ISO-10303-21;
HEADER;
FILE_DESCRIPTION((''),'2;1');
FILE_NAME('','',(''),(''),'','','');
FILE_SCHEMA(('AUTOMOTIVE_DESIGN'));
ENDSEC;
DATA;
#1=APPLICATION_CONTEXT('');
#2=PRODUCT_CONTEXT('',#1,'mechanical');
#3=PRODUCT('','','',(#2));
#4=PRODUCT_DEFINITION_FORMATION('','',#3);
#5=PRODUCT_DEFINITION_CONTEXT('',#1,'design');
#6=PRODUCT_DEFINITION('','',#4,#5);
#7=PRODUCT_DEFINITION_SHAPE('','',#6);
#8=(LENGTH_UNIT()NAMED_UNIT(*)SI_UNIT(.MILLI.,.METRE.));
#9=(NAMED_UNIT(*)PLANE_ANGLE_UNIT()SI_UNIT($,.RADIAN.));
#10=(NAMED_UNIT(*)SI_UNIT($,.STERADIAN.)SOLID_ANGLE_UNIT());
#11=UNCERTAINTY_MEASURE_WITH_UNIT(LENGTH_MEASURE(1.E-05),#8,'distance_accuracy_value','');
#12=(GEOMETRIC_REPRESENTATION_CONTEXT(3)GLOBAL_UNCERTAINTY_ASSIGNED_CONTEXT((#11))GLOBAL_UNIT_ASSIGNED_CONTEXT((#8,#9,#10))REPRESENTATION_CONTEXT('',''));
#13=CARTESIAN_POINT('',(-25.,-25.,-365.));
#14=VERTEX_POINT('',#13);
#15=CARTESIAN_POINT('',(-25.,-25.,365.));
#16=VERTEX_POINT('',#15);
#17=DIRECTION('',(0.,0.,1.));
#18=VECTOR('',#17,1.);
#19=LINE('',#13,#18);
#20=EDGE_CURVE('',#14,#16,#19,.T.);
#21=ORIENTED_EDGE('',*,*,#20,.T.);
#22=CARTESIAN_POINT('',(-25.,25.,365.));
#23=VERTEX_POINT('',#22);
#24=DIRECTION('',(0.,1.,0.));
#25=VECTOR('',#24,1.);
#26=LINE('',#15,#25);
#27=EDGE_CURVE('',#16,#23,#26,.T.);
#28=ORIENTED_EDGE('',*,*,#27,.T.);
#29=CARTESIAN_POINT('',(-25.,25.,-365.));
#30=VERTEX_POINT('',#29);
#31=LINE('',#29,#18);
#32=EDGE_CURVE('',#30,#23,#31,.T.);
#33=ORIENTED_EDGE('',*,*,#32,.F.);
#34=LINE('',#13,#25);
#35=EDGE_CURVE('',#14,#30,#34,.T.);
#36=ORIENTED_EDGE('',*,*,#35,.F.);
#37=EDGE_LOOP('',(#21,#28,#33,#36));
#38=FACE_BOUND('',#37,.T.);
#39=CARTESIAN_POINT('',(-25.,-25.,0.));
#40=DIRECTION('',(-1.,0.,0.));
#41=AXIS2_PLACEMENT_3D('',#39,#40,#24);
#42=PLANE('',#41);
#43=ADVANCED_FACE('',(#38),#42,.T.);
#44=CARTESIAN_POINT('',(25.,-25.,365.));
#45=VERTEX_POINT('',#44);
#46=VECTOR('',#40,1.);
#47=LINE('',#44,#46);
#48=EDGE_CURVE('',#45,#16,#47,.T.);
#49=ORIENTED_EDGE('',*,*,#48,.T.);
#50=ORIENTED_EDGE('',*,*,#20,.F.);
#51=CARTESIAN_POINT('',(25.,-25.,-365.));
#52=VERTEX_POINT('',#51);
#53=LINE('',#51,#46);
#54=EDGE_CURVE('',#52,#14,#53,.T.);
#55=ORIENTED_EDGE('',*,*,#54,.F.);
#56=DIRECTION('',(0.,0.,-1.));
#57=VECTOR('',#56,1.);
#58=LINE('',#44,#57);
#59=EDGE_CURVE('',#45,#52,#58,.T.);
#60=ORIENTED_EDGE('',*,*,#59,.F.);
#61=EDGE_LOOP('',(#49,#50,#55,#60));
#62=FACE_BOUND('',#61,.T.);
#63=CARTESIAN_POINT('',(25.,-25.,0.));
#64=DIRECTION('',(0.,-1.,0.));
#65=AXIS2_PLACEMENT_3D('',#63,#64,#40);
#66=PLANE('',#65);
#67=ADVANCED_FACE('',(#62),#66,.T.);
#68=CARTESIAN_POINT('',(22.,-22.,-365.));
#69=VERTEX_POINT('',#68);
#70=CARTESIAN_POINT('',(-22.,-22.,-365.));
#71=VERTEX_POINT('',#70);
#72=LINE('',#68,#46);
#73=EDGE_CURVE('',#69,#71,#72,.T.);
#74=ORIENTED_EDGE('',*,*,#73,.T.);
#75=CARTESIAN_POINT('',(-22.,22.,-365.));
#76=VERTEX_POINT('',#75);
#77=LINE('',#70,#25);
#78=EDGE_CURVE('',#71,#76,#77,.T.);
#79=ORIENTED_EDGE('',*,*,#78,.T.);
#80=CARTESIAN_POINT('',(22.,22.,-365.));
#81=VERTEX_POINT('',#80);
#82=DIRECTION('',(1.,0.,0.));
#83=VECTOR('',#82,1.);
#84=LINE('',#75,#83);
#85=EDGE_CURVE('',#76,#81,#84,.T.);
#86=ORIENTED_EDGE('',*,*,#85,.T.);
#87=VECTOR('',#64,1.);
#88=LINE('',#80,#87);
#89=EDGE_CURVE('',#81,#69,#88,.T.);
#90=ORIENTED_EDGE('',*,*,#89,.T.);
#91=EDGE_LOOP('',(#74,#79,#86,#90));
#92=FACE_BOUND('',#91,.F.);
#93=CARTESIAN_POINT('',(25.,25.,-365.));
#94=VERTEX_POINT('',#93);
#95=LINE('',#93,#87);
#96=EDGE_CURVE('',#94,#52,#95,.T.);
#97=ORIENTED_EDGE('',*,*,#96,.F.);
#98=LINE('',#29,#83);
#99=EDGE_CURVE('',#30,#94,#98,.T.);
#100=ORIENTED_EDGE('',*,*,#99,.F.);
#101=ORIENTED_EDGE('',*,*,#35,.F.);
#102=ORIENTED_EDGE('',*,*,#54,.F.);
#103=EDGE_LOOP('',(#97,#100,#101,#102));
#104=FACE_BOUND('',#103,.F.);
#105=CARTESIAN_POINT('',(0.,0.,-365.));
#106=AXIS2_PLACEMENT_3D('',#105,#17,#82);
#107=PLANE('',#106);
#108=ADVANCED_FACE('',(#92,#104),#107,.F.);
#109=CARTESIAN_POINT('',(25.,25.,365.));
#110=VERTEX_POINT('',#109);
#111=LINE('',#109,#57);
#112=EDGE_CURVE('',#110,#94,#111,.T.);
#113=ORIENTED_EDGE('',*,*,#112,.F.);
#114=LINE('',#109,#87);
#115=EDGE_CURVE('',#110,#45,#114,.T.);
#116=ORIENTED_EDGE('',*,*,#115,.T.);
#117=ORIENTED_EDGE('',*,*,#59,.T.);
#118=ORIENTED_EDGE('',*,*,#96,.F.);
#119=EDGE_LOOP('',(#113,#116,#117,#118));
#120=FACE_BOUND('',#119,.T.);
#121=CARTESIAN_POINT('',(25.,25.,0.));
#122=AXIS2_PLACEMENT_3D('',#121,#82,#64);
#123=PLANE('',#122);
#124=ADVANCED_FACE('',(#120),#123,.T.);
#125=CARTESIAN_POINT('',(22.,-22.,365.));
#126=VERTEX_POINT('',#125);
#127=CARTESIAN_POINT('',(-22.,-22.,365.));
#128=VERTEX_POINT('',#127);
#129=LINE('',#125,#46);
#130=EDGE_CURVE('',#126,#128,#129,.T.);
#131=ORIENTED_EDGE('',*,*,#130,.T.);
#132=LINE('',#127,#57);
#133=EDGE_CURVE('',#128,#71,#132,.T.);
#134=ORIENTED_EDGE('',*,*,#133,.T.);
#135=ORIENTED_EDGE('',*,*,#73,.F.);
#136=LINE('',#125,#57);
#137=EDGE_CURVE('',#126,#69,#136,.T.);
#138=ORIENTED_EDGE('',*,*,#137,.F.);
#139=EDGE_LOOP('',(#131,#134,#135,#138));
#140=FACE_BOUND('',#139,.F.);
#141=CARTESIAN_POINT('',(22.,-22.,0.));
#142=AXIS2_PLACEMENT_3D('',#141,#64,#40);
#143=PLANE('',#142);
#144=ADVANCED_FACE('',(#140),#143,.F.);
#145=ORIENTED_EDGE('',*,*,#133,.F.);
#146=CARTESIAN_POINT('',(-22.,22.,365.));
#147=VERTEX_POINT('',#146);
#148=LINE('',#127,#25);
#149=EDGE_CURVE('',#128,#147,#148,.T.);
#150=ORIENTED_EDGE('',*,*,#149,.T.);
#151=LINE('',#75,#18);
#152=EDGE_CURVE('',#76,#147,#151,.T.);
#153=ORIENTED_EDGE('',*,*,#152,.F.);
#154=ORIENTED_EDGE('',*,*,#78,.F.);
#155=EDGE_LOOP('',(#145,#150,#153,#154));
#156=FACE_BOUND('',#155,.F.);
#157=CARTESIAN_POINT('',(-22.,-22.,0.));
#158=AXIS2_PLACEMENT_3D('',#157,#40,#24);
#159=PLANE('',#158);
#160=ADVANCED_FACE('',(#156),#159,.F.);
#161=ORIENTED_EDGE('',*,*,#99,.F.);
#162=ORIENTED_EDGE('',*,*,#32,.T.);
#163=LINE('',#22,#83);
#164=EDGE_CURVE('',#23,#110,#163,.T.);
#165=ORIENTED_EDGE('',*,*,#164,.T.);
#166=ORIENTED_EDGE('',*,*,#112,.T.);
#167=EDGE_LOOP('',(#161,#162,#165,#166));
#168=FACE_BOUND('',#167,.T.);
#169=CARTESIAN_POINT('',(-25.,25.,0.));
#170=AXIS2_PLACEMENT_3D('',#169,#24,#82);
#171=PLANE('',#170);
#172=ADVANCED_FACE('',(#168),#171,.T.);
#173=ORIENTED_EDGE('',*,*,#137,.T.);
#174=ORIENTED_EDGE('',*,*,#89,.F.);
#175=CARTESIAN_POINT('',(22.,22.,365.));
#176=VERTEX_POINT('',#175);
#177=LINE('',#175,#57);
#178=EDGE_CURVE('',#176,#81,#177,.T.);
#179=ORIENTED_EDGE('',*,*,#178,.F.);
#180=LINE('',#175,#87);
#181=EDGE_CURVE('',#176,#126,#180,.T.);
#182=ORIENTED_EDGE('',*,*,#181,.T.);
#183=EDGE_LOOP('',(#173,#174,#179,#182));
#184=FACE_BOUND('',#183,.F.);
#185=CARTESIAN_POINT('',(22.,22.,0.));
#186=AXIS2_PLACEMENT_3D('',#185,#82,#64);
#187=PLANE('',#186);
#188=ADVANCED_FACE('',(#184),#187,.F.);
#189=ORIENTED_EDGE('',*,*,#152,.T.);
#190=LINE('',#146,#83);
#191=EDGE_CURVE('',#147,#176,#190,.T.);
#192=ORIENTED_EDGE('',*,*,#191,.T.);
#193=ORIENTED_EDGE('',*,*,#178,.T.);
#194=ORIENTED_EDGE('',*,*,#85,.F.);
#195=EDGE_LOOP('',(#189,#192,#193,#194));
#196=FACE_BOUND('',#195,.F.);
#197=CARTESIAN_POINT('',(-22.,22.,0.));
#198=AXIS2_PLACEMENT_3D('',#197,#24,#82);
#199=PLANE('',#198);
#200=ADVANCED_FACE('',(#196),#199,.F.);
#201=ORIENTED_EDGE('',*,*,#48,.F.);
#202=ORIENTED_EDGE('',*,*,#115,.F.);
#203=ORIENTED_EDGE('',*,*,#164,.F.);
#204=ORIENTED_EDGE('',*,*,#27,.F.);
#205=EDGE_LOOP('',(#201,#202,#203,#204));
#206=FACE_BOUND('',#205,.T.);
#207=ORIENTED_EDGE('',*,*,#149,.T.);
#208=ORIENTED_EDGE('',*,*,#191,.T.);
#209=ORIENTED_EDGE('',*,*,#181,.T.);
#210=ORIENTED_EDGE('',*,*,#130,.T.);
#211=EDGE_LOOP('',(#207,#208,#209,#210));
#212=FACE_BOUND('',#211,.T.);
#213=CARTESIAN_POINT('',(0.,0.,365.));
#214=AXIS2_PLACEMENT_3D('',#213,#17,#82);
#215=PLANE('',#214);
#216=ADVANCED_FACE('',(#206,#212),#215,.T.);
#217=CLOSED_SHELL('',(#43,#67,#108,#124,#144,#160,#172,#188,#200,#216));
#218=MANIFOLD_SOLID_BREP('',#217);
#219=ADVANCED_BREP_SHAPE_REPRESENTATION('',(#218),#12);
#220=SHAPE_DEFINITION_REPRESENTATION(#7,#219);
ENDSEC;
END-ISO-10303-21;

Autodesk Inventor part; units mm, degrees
sketch "Sketch1" plane through (0, 0, 0) normal (0, 0, 1) x (1, 0, 0)
  line L0 (-25, 25) -> (25, 25)
  line L1 (25, 25) -> (25, -25)
  line L2 (25, -25) -> (-25, -25)
  line L3 (-25, -25) -> (-25, 25)
  line L4 (-25, 25) -> (25, -25) construction
  line L5 (25, 25) -> (-25, -25) construction
  line L6 (-22, 22) -> (22, 22)
  line L7 (22, 22) -> (22, -22)
  line L8 (22, -22) -> (-22, -22)
  line L9 (-22, -22) -> (-22, 22)
  line L10 (-22, 22) -> (22, -22) construction
  line L11 (22, 22) -> (-22, -22) construction
  point P0 (0, 0)
  point P1 (0, 0)
  dimension "d0" = 50
  dimension "d1" = 3
extrude "Extrusion1" add sketch "Sketch1" along normal mid plane 730
properties part number "perna" material "Wood (Walnut)"
